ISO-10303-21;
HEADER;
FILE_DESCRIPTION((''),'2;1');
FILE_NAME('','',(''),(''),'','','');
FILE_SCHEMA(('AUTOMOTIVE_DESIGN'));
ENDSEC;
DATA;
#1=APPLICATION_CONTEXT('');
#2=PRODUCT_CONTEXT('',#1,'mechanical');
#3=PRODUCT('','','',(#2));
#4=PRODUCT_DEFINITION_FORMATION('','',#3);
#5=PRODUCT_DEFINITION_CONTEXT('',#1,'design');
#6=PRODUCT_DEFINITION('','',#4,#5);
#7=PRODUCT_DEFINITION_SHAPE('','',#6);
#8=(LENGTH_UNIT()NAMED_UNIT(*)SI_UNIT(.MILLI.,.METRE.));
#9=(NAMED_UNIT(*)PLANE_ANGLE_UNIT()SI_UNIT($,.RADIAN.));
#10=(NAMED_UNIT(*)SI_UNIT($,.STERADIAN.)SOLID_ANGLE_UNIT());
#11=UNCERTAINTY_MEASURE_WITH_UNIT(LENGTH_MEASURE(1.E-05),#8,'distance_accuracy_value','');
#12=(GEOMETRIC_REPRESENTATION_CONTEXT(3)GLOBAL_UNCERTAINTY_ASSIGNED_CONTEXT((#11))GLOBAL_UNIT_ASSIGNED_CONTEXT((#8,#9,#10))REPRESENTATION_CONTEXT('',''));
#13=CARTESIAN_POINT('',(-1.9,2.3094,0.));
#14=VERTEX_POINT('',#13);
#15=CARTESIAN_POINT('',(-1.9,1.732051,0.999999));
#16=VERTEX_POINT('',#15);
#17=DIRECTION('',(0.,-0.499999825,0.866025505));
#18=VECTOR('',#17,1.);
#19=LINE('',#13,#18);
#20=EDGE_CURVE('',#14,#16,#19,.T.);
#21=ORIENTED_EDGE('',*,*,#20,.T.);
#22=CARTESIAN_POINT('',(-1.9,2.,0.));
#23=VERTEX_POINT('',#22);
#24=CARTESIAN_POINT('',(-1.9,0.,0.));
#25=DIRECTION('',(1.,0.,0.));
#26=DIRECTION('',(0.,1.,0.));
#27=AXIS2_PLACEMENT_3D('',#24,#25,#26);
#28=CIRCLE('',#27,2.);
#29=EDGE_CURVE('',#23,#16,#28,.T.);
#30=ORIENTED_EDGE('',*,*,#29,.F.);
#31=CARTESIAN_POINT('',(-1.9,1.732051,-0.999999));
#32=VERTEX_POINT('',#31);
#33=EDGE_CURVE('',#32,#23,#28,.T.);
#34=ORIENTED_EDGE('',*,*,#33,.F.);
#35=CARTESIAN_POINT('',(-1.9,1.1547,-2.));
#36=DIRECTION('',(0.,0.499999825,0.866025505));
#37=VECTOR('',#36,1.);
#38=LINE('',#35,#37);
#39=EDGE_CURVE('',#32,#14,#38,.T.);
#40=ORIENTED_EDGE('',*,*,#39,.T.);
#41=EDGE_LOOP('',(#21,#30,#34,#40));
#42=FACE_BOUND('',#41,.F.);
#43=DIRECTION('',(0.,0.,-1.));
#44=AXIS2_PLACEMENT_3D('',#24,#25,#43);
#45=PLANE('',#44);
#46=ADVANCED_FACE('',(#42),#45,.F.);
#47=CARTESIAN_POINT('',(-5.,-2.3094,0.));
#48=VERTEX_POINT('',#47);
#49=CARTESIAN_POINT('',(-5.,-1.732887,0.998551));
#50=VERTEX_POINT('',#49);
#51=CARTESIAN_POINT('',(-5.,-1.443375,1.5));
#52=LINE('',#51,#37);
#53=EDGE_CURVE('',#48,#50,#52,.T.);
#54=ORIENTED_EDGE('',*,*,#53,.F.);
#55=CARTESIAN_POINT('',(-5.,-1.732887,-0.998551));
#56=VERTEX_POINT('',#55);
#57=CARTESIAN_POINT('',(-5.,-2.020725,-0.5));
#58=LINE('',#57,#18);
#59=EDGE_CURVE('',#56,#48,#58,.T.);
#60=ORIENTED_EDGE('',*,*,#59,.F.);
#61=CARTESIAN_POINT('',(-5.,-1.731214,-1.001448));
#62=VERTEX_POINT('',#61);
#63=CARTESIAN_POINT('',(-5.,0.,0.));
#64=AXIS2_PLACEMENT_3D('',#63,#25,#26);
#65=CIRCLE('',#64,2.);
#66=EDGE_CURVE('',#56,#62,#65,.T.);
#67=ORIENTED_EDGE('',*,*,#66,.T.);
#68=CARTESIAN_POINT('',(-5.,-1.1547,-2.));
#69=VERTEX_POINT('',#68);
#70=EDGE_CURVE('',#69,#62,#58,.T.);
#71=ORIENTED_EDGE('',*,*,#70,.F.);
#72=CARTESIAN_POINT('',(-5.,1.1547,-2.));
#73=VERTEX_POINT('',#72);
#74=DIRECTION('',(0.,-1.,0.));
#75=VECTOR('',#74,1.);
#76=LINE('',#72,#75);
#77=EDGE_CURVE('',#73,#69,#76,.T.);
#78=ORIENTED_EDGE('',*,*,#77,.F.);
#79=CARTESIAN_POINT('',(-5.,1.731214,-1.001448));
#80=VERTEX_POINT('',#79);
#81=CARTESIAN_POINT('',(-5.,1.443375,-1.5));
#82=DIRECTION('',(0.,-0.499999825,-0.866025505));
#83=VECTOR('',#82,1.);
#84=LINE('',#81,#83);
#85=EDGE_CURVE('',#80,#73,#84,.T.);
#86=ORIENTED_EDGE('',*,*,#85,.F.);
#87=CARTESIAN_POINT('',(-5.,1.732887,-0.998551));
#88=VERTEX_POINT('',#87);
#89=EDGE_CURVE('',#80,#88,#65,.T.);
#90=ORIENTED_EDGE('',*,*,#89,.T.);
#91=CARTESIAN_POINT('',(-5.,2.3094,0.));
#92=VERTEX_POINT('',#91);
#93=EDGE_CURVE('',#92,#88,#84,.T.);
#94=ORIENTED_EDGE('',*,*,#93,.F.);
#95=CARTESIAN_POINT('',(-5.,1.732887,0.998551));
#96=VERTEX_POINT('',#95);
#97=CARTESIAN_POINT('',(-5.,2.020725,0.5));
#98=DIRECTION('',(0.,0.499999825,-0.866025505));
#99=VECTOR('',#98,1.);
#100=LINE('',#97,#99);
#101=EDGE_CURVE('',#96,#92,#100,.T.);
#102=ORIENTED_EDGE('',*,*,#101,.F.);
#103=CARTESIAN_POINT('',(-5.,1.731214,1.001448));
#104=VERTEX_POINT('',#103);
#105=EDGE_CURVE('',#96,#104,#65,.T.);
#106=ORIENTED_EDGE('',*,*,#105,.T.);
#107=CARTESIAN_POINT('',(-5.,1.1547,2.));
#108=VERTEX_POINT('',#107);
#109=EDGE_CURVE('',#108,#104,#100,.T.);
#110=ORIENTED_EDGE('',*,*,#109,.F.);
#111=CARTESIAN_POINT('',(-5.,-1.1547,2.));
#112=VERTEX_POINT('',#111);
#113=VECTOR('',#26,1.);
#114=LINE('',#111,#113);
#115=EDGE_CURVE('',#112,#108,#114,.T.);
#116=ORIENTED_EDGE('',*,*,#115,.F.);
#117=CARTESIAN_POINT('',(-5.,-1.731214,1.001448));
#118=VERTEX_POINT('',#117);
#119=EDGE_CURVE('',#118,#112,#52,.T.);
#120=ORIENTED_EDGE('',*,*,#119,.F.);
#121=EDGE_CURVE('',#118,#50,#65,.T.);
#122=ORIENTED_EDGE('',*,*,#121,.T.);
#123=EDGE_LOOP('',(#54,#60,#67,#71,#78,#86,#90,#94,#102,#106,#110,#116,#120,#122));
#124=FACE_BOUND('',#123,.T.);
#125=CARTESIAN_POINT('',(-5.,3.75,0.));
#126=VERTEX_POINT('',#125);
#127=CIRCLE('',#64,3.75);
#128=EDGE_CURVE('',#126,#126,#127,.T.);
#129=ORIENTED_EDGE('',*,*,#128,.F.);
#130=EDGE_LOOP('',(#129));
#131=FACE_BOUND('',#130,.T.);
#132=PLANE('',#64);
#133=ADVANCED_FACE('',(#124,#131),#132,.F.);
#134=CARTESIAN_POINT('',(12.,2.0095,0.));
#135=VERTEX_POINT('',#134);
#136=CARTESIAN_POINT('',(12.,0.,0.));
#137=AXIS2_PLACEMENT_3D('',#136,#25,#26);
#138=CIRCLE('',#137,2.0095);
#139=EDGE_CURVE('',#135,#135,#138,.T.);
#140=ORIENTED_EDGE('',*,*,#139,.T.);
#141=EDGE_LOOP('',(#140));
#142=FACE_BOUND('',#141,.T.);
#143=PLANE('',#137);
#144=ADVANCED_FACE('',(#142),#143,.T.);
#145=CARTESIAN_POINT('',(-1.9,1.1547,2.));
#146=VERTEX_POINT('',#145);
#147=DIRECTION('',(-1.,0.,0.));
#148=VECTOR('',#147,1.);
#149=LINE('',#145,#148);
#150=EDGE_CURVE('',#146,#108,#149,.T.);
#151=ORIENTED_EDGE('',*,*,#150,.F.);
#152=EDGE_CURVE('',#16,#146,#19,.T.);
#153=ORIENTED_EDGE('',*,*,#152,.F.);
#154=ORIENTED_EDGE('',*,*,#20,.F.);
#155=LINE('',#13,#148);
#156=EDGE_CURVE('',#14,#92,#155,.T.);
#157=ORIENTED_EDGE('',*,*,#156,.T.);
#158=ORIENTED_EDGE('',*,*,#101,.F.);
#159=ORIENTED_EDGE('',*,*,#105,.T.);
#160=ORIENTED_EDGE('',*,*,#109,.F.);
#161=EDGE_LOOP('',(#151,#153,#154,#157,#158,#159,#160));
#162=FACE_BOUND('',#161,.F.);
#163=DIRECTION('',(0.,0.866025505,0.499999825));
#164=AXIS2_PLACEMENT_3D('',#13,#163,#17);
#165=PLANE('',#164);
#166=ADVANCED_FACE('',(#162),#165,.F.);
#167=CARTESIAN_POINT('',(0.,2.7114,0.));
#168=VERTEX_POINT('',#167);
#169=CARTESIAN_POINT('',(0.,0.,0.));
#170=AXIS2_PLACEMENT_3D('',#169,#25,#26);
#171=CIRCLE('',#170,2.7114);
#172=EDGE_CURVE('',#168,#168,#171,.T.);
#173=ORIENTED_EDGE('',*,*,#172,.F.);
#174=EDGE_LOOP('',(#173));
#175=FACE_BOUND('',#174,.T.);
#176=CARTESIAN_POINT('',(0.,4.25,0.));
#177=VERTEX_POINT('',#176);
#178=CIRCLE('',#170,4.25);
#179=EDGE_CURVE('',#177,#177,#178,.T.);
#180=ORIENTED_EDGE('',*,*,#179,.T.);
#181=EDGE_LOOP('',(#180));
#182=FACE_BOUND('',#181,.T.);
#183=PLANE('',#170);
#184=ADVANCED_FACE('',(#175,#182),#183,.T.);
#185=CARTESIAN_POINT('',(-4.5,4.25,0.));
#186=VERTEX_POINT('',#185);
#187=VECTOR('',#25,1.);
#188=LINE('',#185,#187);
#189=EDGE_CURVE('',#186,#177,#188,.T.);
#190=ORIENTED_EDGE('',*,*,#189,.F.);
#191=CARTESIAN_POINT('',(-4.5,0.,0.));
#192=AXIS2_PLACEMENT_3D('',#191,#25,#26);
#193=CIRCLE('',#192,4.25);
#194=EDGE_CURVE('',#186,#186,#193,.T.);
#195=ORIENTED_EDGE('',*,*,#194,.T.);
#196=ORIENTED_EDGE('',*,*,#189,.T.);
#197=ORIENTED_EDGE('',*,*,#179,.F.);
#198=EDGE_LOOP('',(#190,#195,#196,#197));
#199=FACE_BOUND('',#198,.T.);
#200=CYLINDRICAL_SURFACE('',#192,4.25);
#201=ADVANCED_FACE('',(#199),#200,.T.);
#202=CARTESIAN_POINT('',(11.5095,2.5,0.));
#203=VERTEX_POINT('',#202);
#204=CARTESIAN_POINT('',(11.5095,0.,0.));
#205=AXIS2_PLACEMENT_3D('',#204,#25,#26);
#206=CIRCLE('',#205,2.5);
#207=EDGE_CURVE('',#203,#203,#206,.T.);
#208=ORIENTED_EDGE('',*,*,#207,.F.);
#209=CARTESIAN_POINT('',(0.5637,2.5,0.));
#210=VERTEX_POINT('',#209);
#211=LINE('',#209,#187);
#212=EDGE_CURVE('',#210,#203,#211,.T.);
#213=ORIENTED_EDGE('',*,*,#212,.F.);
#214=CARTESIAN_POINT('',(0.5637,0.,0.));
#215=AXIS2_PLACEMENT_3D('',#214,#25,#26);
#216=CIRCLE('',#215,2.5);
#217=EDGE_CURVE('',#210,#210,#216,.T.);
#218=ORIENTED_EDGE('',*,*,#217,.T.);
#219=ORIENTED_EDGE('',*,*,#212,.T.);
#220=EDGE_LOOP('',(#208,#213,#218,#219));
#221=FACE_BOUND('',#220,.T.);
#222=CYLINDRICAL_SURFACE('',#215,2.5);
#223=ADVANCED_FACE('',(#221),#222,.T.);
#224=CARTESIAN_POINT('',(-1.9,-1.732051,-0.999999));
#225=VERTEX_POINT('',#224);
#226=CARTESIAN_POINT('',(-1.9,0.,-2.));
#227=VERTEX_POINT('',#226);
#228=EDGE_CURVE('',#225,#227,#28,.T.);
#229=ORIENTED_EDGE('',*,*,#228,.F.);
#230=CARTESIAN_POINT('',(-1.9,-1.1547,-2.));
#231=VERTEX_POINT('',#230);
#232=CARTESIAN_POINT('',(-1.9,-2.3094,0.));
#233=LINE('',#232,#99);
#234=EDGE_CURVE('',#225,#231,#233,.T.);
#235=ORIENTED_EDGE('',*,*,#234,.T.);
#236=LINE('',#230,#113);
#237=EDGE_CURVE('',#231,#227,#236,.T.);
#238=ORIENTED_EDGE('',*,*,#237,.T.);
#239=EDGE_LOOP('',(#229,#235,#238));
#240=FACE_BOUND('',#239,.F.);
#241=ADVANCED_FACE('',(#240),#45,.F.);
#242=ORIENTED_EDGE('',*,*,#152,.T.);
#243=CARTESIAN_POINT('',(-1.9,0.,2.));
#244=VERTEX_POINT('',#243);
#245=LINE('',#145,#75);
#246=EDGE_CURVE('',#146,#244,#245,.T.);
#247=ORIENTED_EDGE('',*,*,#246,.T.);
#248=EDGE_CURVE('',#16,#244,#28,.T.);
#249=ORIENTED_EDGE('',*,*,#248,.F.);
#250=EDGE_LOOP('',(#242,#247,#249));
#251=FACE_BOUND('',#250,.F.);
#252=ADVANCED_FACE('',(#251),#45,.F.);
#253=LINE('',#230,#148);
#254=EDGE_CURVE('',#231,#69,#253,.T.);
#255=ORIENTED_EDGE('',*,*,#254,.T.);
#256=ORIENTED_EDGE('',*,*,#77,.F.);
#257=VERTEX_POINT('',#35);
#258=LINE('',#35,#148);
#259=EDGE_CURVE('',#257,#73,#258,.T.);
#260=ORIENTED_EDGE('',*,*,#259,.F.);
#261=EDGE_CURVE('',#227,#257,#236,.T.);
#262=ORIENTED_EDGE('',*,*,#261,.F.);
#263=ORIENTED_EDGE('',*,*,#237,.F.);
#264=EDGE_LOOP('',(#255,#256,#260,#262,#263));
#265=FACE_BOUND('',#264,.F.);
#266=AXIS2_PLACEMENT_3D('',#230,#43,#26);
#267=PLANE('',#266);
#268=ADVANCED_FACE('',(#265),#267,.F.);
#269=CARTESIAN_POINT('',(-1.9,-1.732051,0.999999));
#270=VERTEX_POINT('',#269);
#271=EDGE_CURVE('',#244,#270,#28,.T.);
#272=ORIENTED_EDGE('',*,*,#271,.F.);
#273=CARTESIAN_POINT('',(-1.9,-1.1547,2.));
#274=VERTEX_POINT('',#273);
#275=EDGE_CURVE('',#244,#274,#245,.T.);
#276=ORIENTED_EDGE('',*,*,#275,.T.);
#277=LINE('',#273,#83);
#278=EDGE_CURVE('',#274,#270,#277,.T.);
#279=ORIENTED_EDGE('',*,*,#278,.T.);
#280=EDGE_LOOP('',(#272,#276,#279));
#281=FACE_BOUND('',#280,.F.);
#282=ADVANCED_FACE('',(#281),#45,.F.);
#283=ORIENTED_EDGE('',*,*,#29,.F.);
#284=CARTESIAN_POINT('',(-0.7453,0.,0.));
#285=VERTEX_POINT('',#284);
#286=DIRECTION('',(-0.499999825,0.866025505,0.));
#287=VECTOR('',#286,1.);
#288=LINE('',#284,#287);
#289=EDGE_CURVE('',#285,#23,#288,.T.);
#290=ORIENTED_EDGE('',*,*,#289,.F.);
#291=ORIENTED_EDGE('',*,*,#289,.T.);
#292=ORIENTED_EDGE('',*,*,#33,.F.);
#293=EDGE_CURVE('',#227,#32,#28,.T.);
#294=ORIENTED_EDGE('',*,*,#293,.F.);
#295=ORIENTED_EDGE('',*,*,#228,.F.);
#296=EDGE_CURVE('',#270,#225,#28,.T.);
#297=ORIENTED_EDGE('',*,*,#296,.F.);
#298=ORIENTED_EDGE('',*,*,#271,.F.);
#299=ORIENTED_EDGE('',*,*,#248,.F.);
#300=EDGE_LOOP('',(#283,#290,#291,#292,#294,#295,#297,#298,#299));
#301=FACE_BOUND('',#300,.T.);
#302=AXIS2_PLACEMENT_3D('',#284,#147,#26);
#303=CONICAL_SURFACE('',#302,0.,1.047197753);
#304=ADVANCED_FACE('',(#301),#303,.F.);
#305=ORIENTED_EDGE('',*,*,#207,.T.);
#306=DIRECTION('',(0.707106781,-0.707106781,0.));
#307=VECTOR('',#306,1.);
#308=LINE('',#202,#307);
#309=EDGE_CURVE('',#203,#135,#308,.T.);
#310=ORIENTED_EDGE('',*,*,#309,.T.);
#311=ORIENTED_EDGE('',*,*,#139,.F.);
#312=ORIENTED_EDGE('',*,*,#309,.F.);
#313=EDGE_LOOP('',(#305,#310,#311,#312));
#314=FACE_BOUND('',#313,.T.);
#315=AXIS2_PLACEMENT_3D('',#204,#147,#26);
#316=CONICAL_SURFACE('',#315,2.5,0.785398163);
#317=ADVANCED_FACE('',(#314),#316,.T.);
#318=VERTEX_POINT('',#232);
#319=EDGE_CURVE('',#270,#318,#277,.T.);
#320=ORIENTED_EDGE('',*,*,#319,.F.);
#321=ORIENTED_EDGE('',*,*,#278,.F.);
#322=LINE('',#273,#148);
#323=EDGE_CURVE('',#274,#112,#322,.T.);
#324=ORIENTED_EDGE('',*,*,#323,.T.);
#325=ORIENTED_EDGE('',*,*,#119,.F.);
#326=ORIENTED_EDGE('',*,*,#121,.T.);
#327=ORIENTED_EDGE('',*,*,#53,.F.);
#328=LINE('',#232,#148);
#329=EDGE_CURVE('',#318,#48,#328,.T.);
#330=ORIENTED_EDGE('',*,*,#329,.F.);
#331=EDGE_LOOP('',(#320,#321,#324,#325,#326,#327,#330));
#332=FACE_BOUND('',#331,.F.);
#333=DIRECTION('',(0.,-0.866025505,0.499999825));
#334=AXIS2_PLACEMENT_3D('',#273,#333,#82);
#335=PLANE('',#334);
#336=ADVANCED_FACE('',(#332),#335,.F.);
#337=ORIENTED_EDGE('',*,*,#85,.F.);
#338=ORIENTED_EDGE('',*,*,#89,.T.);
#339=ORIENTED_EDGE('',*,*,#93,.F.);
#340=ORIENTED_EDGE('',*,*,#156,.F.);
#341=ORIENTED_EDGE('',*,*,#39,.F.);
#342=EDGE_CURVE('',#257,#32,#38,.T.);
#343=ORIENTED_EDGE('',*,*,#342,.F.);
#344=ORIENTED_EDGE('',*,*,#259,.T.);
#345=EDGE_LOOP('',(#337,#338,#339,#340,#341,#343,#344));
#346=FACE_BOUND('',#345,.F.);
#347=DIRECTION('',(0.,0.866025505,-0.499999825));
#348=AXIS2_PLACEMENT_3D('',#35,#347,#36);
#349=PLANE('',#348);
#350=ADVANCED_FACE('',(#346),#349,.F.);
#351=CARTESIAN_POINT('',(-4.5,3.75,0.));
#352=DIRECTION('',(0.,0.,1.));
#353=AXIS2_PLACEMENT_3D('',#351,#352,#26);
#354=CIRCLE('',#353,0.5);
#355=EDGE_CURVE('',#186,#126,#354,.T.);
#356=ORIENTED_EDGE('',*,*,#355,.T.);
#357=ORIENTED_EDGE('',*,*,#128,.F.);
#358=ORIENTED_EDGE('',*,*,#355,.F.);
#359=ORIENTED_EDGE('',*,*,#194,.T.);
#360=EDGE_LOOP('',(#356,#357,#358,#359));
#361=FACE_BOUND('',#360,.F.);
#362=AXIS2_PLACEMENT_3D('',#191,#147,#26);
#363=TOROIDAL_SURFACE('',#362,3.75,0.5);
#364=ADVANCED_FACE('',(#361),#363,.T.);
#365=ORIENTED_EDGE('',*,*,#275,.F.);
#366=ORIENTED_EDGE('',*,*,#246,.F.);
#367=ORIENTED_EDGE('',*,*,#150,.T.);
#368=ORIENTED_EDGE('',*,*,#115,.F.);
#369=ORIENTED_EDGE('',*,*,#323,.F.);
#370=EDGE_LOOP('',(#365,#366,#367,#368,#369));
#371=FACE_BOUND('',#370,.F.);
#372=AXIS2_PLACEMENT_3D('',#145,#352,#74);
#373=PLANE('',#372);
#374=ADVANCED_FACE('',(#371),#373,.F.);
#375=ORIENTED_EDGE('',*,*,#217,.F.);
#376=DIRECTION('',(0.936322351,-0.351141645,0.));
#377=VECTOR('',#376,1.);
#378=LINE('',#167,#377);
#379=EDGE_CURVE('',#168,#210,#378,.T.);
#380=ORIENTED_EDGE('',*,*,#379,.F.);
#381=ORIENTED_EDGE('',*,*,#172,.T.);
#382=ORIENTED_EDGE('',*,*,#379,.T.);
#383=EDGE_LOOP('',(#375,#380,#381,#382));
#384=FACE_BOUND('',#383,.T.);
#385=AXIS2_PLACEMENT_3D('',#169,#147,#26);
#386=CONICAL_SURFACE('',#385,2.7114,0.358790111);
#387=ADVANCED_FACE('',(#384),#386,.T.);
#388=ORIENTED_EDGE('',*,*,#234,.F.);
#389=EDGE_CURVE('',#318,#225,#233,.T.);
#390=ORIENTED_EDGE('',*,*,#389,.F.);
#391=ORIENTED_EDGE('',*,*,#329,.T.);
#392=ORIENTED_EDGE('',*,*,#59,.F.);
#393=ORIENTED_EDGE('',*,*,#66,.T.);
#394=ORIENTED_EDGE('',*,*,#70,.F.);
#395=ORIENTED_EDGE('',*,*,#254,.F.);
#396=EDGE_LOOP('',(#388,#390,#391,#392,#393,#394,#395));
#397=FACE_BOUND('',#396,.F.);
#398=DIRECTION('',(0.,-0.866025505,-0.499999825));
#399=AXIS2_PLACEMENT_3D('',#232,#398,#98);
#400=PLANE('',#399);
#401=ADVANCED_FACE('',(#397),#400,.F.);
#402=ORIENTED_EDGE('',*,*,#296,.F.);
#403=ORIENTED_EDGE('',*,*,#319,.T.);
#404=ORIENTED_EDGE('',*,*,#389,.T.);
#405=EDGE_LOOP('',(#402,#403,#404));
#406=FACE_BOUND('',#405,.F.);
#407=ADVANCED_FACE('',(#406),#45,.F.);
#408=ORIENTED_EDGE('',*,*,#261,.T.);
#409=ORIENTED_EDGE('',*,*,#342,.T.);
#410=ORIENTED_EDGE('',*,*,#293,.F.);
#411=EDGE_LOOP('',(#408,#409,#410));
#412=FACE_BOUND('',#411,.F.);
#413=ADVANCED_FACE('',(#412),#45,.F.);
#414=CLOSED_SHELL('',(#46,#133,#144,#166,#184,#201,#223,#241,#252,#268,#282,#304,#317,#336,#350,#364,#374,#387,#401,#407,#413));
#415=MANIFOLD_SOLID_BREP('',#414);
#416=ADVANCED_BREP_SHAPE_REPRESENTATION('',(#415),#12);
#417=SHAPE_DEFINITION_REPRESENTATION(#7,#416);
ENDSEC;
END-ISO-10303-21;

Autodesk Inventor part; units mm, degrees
sketch "Skizze_2" plane through (0, 0, 0) normal (0, 0, 1) x (1, 0, 0)
  line L0 (12, 0) -> (-8, 0)
  line L1 (-0.7453, 0) -> (-1.9, 2)
  line L2 (-1.9, 2) -> (-5, 2)
  line L3 (-5, 2) -> (-5, 3.75)
  arc A0 (-4.5, 4.25) -> (-5, 3.75) centre (-4.5, 3.75) ccw
  line L4 (-4.5, 4.25) -> (0, 4.25)
  line L5 (0, 4.25) -> (0, 2.7114)
  line L6 (0, 2.7114) -> (0.5637, 2.5)
  line L7 (0.5637, 2.5) -> (11.5095, 2.5)
  line L8 (11.5095, 2.5) -> (12, 2.0095)
  line L9 (12, 2.0095) -> (12, 0)
  line L10 (12, 0) -> (-0.7453, 0)
revolve "Revolution1" add sketch "Skizze_2" angle 360 about axis through (12, 0, 0) along (1, 0, 0)
thread "Thread1" size "M5x0.8" class "6g" standard "ISO Metric profile" length 9.1095
sketch "Skizze_1" plane through (-1.9, 0, 0) normal (1, 0, 0) x (0, 0, -1)
  line L0 (-2, 1.1547) -> (-2, -1.1547)
  line L1 (-2, -1.1547) -> (0, -2.3094)
  line L2 (0, -2.3094) -> (2, -1.1547)
  line L3 (2, -1.1547) -> (2, 1.1547)
  line L4 (2, 1.1547) -> (0, 2.3094)
  line L5 (0, 2.3094) -> (-2, 1.1547)
extrude "Extrusion1" cut sketch "Skizze_1" against normal blind 5
ref_plane "IP1_XY" through (0, 0, 0) normal (1, 0, 0) x (0, 0, -1)
ref_plane "IP1_YZ" through (0, 0, 0) normal (0, 0, -1) x (0, 1, 0)
ref_plane "IP1_ZX" through (0, 0, 0) normal (0, 1, 0) x (1, 0, 0)
ref_plane "IP2_XY" through (-5, 0, 0) normal (1, 0, 0) x (0, 0, -1)
ref_plane "IP2_YZ" through (-5, 0, 0) normal (0, 0, -1) x (0, 1, 0)
ref_plane "IP2_ZX" through (-5, 0, 0) normal (0, 1, 0) x (1, 0, 0)
ref_plane "IP3_XY" through (12, 0, 0) normal (1, 0, 0) x (0, 0, -1)
ref_plane "IP3_YZ" through (12, 0, 0) normal (0, 0, -1) x (0, 1, 0)
ref_plane "IP3_ZX" through (12, 0, 0) normal (0, 1, 0) x (1, 0, 0)
ref_plane "IP4_XY" through (0, 0, 0) normal (1, 0, 0) x (0, 0, -1)
ref_plane "IP4_YZ" through (0, 0, 0) normal (0, 0, -1) x (0, 1, 0)
ref_plane "IP4_ZX" through (0, 0, 0) normal (0, 1, 0) x (1, 0, 0)
properties part number "Zylinderschraube ISO 4762 - screw - M5x12-screw"
